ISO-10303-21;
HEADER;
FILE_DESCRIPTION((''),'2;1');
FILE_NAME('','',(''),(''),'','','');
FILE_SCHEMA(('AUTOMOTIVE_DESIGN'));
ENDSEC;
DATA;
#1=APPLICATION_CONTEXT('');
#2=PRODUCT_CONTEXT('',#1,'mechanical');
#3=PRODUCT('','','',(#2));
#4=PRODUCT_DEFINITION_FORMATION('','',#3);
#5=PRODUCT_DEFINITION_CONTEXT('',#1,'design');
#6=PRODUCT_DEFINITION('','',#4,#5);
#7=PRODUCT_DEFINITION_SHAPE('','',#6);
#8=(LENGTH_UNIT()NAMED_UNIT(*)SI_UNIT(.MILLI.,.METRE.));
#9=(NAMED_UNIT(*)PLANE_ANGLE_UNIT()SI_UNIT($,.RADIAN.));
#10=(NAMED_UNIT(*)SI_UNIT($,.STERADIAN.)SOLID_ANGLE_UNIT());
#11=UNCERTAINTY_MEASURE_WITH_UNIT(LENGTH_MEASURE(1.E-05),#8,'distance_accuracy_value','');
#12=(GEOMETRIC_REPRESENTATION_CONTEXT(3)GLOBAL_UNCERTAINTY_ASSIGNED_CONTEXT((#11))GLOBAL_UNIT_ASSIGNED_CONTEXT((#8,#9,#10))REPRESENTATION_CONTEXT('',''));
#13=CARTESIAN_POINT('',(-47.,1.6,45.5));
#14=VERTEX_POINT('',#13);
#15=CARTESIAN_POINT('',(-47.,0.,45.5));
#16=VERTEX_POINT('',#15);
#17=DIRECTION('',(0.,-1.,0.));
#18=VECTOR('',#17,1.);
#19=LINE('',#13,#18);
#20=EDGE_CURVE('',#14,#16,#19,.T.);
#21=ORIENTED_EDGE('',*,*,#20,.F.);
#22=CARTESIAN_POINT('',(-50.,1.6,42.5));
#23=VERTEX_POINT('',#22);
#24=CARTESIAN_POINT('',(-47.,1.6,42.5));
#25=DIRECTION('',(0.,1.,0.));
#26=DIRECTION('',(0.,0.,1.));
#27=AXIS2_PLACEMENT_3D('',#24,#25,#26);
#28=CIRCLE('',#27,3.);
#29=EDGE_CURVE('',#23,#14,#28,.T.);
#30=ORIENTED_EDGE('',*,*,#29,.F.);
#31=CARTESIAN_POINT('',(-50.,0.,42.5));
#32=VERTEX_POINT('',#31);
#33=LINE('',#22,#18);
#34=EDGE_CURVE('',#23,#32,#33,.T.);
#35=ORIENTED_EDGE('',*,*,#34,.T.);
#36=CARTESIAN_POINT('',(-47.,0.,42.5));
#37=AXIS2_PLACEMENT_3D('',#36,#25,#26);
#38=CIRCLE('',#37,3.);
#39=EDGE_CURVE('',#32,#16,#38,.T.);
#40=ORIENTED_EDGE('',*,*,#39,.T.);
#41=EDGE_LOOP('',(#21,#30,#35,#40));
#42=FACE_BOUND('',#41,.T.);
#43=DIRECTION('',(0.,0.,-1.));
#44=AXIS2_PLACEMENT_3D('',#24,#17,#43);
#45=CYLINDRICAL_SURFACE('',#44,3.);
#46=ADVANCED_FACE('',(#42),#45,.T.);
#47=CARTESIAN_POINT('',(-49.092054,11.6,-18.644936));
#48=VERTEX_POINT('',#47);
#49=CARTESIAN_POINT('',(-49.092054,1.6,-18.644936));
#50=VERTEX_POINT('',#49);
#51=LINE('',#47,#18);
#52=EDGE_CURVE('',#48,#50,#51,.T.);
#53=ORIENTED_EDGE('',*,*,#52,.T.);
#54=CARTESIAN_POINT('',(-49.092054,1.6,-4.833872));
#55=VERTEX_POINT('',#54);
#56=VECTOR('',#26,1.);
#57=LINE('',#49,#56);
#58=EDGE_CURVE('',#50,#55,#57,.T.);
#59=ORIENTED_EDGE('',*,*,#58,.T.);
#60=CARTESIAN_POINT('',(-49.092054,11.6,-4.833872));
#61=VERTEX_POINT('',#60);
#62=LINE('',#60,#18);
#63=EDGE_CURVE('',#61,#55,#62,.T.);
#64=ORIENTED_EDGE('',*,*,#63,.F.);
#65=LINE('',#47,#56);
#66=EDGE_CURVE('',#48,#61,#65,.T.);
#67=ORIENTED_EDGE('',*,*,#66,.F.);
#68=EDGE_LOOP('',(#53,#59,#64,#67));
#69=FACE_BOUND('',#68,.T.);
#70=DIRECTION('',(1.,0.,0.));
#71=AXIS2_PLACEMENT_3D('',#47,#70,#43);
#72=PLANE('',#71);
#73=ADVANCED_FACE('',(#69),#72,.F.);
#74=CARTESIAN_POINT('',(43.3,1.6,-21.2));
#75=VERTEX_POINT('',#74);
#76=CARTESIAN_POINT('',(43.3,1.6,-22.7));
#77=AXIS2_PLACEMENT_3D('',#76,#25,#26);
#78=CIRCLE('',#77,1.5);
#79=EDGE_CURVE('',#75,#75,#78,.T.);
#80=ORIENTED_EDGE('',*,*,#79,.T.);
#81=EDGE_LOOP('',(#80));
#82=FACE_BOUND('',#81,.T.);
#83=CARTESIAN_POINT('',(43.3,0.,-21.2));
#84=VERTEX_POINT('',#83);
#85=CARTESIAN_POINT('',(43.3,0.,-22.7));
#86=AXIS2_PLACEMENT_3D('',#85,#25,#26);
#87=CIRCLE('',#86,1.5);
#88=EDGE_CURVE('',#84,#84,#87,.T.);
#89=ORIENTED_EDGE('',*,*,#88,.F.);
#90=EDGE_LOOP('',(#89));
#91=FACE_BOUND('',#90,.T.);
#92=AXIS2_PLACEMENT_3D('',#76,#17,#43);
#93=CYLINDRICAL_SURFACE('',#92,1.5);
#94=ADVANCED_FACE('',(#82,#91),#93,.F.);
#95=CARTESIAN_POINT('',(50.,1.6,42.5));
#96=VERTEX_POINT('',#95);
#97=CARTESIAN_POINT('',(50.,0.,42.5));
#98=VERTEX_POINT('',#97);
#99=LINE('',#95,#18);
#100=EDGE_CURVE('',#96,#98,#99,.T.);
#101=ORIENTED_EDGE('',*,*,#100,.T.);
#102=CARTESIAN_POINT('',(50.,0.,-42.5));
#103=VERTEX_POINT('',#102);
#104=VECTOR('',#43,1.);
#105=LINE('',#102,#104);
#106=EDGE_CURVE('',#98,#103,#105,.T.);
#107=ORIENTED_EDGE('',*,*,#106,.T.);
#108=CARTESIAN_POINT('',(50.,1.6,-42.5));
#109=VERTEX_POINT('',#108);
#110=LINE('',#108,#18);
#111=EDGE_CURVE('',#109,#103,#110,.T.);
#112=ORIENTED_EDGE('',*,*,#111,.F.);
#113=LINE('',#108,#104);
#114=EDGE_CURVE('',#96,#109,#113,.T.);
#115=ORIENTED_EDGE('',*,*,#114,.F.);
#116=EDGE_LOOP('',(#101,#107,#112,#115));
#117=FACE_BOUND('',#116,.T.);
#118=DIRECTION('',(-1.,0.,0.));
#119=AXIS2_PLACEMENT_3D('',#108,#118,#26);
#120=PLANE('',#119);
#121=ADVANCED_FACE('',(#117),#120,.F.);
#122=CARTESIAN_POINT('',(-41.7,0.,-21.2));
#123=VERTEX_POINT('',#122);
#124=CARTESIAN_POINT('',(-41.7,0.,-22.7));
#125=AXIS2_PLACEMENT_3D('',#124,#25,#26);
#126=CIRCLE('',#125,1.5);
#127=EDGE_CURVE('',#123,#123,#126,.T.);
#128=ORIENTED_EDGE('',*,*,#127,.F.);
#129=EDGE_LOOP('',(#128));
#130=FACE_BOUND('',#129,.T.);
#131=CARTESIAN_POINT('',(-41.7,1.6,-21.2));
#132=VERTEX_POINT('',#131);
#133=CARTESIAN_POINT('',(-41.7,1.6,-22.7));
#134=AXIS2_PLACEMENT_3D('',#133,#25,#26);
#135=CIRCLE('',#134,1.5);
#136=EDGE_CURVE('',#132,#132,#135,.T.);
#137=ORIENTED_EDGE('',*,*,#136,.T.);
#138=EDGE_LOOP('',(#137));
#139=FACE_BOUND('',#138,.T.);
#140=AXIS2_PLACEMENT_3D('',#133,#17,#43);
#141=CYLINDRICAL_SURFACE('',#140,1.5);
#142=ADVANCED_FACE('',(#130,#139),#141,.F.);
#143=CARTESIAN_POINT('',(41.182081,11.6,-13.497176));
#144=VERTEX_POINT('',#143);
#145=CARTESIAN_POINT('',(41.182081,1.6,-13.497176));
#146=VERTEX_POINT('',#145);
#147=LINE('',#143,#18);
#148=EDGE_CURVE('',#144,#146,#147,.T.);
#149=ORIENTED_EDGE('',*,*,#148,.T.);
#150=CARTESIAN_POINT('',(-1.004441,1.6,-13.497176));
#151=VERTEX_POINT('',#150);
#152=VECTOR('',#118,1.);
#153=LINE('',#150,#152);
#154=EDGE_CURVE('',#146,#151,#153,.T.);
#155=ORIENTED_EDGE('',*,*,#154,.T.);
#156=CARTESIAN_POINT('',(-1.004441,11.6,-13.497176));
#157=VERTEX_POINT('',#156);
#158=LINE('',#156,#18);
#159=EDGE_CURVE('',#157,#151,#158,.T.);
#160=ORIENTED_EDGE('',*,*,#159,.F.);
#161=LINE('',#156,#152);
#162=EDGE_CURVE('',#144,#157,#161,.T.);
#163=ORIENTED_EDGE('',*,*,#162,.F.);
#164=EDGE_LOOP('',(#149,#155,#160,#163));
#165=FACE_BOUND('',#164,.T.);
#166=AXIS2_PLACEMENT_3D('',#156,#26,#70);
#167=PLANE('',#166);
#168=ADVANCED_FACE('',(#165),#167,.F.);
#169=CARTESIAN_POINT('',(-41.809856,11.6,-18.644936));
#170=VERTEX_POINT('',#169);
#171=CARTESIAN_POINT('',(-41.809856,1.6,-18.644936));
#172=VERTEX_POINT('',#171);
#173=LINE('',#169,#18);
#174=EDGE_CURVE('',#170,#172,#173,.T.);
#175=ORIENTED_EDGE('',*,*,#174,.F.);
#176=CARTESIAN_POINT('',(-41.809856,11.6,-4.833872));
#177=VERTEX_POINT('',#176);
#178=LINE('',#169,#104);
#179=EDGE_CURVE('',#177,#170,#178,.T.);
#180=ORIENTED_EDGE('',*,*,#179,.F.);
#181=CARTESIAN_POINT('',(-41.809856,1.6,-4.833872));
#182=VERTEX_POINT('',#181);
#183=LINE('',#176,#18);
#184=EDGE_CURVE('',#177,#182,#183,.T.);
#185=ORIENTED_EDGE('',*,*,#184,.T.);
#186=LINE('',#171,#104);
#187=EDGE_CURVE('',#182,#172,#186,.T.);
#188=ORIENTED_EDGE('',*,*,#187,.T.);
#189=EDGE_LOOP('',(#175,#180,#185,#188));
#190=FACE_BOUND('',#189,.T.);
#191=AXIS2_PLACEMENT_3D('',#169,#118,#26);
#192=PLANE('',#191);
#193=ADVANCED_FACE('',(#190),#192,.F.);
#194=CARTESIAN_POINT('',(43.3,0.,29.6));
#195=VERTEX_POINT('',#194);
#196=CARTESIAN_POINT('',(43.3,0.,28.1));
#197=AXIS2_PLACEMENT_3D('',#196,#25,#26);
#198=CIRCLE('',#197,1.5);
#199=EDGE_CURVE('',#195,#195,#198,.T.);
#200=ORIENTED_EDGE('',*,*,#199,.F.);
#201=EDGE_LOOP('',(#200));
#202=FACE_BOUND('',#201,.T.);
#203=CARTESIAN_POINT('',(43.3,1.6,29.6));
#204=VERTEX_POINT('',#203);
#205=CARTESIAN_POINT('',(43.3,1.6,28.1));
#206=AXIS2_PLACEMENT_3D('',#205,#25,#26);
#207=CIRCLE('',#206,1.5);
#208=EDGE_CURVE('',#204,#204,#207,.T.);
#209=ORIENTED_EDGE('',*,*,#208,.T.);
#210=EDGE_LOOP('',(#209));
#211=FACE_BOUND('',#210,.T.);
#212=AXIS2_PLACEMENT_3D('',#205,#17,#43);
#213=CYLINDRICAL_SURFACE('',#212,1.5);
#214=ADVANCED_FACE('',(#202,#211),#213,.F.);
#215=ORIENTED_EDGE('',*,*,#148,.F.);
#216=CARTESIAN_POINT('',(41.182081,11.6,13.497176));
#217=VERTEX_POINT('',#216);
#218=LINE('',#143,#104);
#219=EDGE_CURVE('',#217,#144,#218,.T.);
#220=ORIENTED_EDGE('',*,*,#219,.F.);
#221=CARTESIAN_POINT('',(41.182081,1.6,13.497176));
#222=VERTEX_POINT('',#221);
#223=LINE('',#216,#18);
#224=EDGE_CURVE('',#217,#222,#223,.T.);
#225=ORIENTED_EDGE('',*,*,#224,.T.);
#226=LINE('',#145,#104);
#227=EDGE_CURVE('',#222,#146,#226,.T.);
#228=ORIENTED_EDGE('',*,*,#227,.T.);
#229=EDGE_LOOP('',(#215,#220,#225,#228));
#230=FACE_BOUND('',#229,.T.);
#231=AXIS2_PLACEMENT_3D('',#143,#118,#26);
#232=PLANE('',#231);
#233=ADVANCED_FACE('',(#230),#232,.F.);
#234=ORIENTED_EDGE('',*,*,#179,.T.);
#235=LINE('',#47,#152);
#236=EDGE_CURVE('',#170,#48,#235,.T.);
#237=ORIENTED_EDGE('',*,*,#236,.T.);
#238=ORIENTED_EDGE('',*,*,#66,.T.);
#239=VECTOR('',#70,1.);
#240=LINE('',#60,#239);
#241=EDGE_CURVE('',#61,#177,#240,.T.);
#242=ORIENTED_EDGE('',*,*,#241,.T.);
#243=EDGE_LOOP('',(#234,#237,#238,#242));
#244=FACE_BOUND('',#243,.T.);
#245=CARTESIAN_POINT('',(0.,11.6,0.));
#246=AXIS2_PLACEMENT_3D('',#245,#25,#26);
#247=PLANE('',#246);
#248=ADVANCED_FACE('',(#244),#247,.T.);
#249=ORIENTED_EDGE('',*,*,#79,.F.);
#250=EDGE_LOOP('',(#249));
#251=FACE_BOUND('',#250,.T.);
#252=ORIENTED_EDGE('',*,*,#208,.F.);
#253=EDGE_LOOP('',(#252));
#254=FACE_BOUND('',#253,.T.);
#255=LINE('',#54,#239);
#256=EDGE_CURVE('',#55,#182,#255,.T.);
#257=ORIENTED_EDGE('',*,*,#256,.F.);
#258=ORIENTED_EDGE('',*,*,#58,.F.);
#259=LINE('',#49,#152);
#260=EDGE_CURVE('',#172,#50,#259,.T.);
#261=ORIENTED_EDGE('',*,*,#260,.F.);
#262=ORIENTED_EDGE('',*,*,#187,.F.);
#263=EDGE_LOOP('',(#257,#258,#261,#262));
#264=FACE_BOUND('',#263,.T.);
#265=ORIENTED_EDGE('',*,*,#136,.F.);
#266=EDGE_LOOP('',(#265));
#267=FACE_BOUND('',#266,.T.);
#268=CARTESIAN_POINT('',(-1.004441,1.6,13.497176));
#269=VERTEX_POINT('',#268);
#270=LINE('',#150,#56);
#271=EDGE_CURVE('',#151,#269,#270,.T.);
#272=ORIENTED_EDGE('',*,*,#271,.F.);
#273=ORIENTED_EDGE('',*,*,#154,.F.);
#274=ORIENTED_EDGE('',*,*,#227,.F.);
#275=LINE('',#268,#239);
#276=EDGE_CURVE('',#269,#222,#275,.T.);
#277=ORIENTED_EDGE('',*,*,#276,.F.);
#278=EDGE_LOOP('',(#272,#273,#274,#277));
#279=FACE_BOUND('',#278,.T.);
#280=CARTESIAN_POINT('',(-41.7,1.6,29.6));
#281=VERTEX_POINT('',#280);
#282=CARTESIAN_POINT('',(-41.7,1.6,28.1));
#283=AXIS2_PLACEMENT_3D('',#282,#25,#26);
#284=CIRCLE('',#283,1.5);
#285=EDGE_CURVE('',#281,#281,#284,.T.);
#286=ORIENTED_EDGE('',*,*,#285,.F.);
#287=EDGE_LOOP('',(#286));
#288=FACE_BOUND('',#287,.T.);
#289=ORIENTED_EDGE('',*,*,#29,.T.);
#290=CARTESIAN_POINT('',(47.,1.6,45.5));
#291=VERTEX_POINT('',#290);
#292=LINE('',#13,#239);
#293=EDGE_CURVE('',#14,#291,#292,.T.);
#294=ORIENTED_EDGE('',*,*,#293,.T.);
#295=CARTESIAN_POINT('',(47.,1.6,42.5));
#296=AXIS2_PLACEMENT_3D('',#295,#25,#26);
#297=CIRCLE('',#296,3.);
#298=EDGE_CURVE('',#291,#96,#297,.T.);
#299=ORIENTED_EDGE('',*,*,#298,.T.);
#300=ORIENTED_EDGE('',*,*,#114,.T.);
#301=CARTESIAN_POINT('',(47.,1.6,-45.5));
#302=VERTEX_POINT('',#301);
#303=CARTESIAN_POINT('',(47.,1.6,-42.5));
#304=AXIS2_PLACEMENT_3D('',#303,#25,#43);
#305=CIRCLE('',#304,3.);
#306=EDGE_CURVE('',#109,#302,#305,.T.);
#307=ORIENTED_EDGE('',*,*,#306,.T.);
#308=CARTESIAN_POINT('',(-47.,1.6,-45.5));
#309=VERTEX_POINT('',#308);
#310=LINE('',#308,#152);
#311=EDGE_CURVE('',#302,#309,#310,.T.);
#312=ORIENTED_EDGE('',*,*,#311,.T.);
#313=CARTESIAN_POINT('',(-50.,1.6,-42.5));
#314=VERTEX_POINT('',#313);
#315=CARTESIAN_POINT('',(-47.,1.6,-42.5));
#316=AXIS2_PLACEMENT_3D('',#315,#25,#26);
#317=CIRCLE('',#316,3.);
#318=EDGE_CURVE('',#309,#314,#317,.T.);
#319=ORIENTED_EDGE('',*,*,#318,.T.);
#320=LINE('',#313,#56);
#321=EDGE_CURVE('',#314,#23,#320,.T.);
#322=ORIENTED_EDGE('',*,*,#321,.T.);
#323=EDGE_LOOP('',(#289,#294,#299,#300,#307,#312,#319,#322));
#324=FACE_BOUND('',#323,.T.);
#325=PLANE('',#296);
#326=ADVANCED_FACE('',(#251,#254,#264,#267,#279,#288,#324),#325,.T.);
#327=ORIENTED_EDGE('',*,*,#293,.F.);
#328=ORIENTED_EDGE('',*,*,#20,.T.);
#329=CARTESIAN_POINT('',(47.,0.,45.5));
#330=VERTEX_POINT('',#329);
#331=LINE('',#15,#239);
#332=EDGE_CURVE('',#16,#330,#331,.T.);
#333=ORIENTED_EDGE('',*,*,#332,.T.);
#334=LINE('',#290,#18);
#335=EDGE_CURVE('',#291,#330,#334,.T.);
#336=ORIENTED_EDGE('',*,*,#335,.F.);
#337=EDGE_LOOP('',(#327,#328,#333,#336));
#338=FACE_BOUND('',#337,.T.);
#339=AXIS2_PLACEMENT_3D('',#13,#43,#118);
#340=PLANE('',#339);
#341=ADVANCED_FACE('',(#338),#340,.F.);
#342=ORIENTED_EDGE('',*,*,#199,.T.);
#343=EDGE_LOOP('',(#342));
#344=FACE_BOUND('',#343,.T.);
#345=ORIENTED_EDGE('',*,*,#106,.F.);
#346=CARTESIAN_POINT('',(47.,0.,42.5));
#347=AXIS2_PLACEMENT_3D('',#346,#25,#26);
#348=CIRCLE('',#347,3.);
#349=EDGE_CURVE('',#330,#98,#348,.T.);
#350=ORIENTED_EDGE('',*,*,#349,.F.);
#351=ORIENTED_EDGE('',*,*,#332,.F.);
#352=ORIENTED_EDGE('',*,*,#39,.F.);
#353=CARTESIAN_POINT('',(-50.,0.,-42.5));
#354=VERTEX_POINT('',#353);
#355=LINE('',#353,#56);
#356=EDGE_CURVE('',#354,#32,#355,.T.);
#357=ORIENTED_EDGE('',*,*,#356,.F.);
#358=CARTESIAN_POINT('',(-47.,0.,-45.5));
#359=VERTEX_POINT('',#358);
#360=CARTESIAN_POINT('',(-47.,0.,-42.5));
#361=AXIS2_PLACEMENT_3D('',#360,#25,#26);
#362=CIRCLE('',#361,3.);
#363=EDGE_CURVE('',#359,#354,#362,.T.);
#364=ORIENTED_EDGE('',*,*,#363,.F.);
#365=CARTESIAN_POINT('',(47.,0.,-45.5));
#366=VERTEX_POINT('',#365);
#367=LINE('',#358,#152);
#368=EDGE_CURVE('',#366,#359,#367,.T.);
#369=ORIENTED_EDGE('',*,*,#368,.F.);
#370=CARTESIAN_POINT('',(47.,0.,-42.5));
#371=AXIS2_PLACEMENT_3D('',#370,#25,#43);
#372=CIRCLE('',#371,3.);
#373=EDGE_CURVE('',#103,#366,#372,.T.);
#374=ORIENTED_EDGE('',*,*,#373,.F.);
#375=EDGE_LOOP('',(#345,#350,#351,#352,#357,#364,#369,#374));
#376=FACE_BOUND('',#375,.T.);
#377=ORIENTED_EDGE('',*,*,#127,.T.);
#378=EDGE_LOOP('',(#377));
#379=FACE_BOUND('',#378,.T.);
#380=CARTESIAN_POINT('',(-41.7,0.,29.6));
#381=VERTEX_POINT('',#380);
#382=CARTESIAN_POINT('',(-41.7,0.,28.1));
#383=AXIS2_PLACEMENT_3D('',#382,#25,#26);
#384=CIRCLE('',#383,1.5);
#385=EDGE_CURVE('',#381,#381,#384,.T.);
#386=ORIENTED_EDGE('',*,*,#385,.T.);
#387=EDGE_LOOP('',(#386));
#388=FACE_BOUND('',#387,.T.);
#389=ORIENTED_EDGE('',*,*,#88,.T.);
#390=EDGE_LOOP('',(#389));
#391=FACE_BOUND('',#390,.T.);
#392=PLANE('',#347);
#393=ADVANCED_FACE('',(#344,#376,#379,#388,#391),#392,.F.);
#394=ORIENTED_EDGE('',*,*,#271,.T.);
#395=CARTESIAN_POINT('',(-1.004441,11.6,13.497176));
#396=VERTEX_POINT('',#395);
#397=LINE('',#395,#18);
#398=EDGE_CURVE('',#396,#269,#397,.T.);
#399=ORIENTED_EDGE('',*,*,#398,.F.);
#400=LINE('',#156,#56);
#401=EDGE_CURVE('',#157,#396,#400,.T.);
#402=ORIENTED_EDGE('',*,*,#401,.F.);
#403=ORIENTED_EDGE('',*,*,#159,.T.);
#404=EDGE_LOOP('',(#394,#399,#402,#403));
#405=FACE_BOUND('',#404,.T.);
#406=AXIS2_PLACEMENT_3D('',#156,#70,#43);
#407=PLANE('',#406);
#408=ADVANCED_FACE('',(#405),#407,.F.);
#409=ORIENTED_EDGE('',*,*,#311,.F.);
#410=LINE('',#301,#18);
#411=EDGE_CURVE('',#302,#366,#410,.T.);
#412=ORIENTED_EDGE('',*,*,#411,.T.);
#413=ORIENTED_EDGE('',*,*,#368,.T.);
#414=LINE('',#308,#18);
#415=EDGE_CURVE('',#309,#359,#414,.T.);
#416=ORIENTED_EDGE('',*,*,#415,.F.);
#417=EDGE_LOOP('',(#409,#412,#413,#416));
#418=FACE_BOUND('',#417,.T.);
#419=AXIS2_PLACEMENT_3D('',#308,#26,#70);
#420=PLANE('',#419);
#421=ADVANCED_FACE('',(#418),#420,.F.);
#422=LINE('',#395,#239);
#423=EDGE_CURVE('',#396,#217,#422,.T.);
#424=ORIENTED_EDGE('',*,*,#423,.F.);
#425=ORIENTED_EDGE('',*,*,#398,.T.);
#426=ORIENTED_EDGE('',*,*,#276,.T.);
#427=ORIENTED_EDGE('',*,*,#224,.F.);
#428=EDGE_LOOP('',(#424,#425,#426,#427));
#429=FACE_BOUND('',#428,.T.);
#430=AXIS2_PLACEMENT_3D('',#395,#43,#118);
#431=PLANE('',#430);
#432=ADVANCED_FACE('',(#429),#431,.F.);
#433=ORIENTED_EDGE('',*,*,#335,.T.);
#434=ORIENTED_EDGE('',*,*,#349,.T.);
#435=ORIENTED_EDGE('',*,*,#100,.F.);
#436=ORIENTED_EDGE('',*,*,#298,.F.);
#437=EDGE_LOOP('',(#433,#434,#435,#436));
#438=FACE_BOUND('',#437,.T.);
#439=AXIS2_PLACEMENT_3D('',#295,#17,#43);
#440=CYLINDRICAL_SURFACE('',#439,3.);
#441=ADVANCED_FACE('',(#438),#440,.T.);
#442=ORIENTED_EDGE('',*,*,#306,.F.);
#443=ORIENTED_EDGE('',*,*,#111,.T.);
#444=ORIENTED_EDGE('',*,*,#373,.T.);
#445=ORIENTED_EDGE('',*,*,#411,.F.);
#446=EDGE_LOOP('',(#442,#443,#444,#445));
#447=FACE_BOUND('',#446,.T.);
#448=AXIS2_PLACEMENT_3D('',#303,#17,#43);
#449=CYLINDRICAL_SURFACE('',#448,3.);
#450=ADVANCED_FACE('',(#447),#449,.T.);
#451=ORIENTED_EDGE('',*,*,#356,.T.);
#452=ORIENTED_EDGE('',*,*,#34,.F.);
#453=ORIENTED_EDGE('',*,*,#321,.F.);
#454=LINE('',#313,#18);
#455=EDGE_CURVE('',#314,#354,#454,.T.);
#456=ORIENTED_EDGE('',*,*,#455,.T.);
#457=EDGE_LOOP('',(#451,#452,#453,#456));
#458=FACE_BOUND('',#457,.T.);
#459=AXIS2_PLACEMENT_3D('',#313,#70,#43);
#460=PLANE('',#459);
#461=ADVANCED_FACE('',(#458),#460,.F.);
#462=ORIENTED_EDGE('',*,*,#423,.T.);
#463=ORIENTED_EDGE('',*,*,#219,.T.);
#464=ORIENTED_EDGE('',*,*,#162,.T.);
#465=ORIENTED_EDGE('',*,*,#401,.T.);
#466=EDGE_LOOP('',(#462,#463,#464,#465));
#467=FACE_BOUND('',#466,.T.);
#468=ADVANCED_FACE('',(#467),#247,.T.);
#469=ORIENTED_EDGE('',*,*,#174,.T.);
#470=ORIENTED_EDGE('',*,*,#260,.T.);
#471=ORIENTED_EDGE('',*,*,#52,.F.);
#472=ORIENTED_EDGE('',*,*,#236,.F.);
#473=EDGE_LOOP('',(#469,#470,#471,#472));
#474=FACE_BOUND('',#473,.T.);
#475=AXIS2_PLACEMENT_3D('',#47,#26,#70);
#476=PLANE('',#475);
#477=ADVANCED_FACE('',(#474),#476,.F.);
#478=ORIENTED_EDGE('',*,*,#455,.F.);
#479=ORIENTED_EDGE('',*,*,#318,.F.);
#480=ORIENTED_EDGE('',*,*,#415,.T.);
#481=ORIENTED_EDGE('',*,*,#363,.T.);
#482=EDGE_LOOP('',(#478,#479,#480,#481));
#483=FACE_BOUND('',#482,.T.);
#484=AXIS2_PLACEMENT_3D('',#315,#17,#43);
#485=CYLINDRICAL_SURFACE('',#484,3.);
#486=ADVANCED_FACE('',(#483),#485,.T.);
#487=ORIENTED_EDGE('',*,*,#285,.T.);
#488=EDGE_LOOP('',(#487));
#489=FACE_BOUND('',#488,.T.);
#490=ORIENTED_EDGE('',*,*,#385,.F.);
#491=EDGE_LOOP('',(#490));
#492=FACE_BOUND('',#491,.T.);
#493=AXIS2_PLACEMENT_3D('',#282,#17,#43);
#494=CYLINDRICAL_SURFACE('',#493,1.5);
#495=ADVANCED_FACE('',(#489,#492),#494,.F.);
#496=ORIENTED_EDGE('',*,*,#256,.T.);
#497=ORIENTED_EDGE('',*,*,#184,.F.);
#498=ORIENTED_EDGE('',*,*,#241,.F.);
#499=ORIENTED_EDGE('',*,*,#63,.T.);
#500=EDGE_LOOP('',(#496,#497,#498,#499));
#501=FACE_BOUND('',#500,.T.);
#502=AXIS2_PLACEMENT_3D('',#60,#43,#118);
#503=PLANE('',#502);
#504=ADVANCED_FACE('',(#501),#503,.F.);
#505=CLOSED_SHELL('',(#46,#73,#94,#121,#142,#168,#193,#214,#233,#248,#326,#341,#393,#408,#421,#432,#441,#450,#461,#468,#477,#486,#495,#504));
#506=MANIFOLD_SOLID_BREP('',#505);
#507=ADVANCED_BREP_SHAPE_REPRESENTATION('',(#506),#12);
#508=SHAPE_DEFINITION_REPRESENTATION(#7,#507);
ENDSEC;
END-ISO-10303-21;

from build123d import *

# Parameters (mm, degrees)
SKETCH_1_R      = 1.5
EXTRUDE_1_DEPTH = 1.6
SKETCH_2_W      = 42.186521795
SKETCH_2_H      = 26.994351744
SKETCH_2_W_2    = 7.282197215
SKETCH_2_H_2    = 13.811063683
EXTRUDE_2_DEPTH = 10


with BuildPart() as part:
    # 草图1 → 凸台-拉伸1 (new body)
    with BuildSketch(Plane(origin=(0, 0, 0), x_dir=(1, 0, 0), z_dir=(0, 1, 0))):
        with BuildLine():
            Line((-47, 45.5), (47, 45.5))
            ThreePointArc((47, 45.5), (49.121320344, 44.621320344), (50, 42.5))
            Line((50, 42.5), (50, -42.5))
            ThreePointArc((50, -42.5), (49.121320344, -44.621320344), (47, -45.5))
            Line((47, -45.5), (-47, -45.5))
            ThreePointArc((-47, -45.5), (-49.121320344, -44.621320344), (-50, -42.5))
            Line((-50, -42.5), (-50, 42.5))
            ThreePointArc((-50, 42.5), (-49.121320344, 44.621320344), (-47, 45.5))
        make_face()
        with Locations(Location((-41.7, 22.7, 0), (0, 0, 270))):
            Circle(SKETCH_1_R, mode=Mode.SUBTRACT)
        with Locations(Location((43.3, 22.7, 0), (0, 0, 270))):
            Circle(SKETCH_1_R, mode=Mode.SUBTRACT)
        with Locations(Location((43.3, -28.1, 0), (0, 0, 270))):
            Circle(SKETCH_1_R, mode=Mode.SUBTRACT)
        with Locations(Location((-41.7, -28.1, 0), (0, 0, 270))):
            Circle(SKETCH_1_R, mode=Mode.SUBTRACT)
    extrude(amount=EXTRUDE_1_DEPTH)

    # 草图2 → 凸台-拉伸2 (add)
    with BuildSketch(Plane(origin=(0, 1.6, 0), x_dir=(1, 0, 0), z_dir=(0, 1, 0))):
        with Locations((20.088819902, 0)):
            Rectangle(SKETCH_2_W, SKETCH_2_H)
        with Locations((-45.45095503, 11.739404131)):
            Rectangle(SKETCH_2_W_2, SKETCH_2_H_2)
    extrude(amount=EXTRUDE_2_DEPTH)


solid = part.part
